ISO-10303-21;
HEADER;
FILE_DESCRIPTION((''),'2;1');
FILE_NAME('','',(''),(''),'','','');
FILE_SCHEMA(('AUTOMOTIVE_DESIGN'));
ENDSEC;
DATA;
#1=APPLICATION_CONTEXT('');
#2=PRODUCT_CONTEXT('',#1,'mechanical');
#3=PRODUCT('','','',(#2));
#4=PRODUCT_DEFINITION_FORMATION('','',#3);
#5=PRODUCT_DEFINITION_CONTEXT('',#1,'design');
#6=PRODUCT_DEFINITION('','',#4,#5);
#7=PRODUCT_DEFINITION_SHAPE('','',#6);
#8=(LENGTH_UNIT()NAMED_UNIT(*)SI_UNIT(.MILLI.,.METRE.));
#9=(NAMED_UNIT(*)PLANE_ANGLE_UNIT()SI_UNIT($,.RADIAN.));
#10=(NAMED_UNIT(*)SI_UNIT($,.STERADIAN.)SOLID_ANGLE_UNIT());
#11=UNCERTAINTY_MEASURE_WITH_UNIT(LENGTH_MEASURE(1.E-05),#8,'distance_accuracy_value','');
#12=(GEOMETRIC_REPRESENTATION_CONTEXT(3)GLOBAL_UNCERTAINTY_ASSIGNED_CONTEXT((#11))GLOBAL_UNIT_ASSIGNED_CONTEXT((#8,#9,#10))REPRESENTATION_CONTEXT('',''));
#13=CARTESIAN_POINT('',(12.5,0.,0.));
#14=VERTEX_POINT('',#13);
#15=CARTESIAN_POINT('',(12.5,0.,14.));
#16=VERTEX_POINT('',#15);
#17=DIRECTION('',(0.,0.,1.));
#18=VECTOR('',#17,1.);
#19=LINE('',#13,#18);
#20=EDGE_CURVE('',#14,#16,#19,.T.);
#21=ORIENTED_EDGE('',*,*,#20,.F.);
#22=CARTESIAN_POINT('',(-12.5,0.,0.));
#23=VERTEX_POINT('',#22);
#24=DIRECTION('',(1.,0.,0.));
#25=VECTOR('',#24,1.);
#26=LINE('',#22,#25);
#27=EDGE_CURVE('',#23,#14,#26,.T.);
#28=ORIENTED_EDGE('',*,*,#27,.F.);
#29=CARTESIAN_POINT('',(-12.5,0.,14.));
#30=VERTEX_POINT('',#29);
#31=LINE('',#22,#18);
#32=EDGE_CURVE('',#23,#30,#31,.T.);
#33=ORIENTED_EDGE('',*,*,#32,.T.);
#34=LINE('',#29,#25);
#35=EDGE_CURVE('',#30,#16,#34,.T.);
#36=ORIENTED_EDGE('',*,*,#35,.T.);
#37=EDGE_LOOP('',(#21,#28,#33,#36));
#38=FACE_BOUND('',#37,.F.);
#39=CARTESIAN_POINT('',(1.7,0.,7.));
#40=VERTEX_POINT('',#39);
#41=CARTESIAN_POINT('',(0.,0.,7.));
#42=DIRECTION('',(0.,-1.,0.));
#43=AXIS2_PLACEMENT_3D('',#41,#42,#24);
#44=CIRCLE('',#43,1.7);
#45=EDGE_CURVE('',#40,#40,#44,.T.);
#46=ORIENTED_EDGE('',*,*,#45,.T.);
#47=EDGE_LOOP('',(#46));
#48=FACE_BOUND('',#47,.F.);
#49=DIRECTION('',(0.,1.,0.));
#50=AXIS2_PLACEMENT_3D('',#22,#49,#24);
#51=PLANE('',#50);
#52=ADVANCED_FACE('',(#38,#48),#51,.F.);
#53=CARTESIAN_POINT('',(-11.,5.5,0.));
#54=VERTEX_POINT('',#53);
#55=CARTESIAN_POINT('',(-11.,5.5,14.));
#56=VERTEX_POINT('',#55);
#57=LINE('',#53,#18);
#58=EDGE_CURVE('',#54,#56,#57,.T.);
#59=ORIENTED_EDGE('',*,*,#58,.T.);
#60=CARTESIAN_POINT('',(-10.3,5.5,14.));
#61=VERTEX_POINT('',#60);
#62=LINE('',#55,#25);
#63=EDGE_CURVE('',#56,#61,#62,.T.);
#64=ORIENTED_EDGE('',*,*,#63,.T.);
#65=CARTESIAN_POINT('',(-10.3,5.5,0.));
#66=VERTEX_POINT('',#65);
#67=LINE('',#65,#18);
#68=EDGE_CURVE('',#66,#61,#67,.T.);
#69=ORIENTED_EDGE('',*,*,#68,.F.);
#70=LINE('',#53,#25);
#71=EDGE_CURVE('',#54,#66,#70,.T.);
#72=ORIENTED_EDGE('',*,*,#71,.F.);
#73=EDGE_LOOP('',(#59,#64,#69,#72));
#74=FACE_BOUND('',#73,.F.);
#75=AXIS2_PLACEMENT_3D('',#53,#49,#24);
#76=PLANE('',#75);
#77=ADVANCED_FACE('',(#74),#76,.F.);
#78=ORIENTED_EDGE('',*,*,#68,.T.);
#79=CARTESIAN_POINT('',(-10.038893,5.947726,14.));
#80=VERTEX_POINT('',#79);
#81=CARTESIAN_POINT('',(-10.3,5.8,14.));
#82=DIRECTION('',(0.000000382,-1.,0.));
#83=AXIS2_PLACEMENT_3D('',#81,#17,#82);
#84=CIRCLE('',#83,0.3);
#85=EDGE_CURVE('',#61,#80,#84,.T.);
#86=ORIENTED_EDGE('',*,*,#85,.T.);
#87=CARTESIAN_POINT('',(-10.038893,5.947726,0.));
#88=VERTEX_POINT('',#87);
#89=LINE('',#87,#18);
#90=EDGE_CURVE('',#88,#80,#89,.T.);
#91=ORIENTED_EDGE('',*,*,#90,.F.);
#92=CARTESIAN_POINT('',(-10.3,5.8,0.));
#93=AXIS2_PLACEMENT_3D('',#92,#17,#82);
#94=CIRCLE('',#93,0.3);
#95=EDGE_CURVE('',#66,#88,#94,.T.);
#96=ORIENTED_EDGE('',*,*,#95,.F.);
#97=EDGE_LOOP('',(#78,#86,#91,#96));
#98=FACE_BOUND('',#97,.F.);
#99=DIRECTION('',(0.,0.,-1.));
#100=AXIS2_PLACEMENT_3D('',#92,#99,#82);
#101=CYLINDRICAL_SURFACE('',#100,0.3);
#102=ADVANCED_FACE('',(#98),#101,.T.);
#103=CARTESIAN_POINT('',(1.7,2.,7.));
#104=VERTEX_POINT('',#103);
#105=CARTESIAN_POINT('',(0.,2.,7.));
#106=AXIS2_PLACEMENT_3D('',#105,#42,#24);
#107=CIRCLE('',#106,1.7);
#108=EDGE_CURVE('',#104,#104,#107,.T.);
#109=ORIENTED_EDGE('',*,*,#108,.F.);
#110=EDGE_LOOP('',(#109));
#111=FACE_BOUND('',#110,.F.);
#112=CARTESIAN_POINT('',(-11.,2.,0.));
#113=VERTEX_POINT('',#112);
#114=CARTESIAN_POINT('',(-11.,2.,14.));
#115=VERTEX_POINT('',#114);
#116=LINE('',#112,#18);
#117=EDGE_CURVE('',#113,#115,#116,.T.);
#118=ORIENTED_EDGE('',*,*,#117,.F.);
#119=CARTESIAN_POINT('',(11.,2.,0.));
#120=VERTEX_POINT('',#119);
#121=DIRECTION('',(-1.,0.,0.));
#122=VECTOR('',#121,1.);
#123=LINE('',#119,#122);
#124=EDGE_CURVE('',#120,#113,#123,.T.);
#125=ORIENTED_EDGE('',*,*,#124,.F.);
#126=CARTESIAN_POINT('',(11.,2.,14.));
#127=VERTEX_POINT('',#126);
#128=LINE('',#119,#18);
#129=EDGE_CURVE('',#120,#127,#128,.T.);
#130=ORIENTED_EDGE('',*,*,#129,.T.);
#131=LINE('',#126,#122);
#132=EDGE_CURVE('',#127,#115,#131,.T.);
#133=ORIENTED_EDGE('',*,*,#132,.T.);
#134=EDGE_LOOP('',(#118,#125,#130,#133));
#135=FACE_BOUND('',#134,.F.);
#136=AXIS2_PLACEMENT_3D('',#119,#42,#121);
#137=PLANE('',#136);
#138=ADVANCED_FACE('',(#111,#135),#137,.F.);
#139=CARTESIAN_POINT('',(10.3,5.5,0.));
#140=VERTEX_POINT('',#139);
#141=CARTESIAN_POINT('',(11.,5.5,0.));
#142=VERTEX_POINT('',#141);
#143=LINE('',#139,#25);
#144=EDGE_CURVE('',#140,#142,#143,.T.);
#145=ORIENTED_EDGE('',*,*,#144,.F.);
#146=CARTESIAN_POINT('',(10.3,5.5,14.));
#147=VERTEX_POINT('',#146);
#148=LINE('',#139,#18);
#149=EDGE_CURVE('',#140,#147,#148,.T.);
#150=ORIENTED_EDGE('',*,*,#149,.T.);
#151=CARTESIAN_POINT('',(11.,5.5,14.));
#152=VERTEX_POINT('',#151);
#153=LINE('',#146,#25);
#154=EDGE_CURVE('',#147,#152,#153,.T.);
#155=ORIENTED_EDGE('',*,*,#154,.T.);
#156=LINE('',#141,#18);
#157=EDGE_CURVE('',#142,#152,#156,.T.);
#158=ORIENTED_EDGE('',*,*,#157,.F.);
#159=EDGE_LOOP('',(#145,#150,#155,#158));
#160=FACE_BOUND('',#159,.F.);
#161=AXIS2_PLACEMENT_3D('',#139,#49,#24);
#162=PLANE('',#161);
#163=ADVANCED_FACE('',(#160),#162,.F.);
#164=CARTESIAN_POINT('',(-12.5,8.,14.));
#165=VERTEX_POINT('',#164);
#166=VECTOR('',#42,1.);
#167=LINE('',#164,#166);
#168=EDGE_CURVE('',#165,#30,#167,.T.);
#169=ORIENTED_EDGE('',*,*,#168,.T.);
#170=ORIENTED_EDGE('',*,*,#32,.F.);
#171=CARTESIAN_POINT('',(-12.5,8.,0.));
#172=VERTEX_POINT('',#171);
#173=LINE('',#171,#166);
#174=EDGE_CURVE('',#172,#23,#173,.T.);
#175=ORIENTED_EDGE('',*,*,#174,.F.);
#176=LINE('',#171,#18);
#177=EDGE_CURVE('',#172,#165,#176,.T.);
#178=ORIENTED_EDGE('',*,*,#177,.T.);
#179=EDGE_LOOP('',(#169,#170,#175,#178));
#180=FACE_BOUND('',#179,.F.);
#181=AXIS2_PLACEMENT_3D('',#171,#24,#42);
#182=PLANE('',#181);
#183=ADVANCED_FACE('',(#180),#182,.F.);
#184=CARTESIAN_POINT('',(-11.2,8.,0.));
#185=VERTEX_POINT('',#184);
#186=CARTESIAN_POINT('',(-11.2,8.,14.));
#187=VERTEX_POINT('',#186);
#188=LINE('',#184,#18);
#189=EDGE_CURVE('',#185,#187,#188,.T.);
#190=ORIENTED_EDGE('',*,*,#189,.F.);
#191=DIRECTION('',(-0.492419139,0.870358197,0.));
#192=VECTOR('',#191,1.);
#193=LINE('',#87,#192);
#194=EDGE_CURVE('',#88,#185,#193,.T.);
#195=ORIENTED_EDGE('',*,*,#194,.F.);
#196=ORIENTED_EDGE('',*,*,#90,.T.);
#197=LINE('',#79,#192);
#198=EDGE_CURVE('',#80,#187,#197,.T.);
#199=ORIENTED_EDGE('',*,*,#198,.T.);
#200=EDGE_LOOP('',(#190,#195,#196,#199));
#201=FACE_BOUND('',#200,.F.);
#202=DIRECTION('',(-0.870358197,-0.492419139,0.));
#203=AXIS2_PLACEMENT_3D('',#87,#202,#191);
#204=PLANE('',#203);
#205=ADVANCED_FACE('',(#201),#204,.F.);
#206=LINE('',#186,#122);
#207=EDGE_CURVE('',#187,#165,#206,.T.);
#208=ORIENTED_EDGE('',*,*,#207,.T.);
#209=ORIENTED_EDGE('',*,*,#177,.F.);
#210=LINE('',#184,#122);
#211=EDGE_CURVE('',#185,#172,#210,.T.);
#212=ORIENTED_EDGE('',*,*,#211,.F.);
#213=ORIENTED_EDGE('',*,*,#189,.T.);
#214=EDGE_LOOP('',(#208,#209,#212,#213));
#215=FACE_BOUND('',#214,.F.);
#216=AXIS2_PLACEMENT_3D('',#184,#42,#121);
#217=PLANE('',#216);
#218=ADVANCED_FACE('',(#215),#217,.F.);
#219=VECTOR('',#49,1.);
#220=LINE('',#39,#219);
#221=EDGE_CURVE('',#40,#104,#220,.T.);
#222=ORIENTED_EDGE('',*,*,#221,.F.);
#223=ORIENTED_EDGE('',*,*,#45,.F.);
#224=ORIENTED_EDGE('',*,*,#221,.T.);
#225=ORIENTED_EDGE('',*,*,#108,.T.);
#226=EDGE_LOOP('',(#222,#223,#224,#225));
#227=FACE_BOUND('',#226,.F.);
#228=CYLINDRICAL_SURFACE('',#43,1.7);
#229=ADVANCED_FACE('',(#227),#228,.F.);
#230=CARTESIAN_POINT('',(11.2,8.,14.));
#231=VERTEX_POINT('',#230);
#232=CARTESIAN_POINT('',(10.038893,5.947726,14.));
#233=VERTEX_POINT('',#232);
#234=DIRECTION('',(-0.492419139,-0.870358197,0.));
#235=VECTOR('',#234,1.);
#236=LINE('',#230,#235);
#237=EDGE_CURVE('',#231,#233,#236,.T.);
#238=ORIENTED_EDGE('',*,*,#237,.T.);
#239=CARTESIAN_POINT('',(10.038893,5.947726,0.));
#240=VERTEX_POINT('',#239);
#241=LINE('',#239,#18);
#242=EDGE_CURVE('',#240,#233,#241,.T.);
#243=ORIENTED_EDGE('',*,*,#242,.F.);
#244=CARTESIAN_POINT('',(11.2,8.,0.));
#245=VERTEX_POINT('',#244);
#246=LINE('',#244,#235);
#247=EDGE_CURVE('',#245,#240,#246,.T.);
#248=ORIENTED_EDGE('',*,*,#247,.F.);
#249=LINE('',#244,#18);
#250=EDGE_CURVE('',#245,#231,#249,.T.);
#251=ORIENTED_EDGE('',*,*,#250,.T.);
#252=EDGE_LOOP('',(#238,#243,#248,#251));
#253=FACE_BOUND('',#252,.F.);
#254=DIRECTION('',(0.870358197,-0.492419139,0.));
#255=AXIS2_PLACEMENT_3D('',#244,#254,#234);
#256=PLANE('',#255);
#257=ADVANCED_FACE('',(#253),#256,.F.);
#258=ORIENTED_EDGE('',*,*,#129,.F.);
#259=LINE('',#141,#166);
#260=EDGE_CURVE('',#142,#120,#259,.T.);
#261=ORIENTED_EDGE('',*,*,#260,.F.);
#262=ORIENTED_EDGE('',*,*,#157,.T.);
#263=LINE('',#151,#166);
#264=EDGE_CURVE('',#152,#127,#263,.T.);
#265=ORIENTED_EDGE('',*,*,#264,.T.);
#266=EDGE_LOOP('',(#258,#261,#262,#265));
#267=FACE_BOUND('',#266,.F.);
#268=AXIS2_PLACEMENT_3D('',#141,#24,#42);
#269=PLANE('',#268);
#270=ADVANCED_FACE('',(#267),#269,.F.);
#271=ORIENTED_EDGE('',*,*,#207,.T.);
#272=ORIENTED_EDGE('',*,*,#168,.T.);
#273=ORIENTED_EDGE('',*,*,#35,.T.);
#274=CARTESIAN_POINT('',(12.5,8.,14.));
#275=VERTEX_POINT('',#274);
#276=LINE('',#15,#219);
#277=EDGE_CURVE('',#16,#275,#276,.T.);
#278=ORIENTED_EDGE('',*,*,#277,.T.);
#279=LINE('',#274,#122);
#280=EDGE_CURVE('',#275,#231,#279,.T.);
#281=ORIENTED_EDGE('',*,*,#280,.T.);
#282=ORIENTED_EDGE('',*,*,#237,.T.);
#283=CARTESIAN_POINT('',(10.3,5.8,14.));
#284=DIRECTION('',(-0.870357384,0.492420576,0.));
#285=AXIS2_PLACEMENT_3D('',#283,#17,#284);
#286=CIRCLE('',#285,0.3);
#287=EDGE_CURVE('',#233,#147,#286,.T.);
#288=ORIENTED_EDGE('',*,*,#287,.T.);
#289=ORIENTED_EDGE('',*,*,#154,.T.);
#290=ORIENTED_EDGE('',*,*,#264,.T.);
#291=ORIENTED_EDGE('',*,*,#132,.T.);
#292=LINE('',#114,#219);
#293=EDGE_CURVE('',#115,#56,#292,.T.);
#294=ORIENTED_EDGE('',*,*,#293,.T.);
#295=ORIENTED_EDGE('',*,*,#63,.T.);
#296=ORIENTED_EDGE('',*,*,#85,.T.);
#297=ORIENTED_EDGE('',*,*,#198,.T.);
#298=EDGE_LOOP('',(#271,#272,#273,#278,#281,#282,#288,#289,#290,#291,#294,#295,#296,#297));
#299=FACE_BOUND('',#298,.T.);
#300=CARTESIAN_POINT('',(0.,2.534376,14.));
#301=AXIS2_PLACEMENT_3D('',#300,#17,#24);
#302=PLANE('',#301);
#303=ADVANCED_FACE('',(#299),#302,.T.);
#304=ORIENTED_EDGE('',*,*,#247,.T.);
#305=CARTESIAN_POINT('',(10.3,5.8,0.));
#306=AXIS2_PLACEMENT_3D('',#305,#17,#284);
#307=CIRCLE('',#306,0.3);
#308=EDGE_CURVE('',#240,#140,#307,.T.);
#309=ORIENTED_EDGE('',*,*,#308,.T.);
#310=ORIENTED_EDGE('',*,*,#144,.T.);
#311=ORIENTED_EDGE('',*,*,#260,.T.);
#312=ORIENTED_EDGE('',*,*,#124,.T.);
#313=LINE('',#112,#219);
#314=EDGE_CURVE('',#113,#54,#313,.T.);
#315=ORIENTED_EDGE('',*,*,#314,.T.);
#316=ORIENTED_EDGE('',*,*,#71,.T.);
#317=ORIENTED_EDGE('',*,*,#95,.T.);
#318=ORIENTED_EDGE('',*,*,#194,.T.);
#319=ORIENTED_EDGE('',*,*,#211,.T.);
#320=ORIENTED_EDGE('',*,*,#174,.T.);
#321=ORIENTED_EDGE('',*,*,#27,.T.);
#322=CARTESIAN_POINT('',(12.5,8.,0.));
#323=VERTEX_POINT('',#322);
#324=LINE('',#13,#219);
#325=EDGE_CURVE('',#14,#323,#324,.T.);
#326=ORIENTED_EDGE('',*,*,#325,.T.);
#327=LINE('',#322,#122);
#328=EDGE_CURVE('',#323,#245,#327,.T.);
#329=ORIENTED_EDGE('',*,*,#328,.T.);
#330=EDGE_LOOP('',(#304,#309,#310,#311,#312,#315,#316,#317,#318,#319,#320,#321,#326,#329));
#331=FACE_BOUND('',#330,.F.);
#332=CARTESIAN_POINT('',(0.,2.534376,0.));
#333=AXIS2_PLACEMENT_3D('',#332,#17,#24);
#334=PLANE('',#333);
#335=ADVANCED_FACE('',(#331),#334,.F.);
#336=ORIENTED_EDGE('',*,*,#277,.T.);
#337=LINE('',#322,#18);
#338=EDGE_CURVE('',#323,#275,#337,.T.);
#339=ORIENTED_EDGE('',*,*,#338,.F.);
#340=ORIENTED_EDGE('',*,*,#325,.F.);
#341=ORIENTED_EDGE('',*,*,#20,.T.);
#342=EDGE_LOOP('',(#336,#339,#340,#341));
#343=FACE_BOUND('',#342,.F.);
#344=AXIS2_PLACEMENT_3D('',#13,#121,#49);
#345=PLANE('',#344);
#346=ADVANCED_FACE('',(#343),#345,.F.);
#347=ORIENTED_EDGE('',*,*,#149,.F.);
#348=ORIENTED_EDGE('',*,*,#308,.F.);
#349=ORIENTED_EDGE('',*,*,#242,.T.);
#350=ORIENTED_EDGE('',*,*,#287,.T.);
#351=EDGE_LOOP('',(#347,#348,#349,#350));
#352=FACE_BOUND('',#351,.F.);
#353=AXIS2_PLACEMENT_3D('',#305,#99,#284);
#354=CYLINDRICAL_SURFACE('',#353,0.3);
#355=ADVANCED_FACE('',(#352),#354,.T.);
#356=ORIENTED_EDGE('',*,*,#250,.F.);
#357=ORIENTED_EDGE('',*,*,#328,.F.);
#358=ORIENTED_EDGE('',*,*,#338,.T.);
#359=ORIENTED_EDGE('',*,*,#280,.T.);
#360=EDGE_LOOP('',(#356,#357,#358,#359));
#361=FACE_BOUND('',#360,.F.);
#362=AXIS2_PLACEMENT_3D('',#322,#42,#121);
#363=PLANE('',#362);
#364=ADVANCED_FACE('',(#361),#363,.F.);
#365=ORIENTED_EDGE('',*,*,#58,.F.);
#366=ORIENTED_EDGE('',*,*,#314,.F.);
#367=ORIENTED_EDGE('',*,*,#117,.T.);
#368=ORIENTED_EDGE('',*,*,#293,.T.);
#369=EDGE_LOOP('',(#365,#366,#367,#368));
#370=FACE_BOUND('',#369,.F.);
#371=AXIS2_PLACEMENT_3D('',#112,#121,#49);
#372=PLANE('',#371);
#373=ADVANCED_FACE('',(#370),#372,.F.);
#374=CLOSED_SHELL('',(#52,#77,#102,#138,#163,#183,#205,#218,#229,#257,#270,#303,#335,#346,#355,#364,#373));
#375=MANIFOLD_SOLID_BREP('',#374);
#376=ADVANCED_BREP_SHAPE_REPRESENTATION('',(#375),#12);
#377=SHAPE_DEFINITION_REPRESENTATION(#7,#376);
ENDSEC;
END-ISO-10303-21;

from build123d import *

# Parameters (mm, degrees)
PAD_DEPTH    = 14
SKETCH001_R  = 1.7
POCKET_DEPTH = 8.001


with BuildPart() as part:
    # Sketch → Pad (new body)
    with BuildSketch(Plane.XY):
        with BuildLine():
            Line((-12.5, 0), (12.5, 0))
            Line((12.5, 0), (12.5, 8))
            Line((12.5, 8), (11.2, 8))
            Line((11.2, 8), (10.038893, 5.947726))
            ThreePointArc((10.038893, 5.947726), (10.04085, 5.648867), (10.3, 5.5))
            Line((10.3, 5.5), (11, 5.5))
            Line((11, 5.5), (11, 2))
            Line((11, 2), (-11, 2))
            Line((-11, 2), (-11, 5.5))
            Line((-11, 5.5), (-10.3, 5.5))
            ThreePointArc((-10.3, 5.5), (-10.04085, 5.648867), (-10.038893, 5.947726))
            Line((-10.038893, 5.947726), (-11.2, 8))
            Line((-11.2, 8), (-12.5, 8))
            Line((-12.5, 8), (-12.5, 0))
        make_face()
    extrude(amount=PAD_DEPTH)

    # Sketch001 → Pocket (cut, through all)
    with BuildSketch(Plane.XZ):
        with Locations((0, 7)):
            Circle(SKETCH001_R)
    extrude(amount=-POCKET_DEPTH, mode=Mode.SUBTRACT)


solid = part.part
